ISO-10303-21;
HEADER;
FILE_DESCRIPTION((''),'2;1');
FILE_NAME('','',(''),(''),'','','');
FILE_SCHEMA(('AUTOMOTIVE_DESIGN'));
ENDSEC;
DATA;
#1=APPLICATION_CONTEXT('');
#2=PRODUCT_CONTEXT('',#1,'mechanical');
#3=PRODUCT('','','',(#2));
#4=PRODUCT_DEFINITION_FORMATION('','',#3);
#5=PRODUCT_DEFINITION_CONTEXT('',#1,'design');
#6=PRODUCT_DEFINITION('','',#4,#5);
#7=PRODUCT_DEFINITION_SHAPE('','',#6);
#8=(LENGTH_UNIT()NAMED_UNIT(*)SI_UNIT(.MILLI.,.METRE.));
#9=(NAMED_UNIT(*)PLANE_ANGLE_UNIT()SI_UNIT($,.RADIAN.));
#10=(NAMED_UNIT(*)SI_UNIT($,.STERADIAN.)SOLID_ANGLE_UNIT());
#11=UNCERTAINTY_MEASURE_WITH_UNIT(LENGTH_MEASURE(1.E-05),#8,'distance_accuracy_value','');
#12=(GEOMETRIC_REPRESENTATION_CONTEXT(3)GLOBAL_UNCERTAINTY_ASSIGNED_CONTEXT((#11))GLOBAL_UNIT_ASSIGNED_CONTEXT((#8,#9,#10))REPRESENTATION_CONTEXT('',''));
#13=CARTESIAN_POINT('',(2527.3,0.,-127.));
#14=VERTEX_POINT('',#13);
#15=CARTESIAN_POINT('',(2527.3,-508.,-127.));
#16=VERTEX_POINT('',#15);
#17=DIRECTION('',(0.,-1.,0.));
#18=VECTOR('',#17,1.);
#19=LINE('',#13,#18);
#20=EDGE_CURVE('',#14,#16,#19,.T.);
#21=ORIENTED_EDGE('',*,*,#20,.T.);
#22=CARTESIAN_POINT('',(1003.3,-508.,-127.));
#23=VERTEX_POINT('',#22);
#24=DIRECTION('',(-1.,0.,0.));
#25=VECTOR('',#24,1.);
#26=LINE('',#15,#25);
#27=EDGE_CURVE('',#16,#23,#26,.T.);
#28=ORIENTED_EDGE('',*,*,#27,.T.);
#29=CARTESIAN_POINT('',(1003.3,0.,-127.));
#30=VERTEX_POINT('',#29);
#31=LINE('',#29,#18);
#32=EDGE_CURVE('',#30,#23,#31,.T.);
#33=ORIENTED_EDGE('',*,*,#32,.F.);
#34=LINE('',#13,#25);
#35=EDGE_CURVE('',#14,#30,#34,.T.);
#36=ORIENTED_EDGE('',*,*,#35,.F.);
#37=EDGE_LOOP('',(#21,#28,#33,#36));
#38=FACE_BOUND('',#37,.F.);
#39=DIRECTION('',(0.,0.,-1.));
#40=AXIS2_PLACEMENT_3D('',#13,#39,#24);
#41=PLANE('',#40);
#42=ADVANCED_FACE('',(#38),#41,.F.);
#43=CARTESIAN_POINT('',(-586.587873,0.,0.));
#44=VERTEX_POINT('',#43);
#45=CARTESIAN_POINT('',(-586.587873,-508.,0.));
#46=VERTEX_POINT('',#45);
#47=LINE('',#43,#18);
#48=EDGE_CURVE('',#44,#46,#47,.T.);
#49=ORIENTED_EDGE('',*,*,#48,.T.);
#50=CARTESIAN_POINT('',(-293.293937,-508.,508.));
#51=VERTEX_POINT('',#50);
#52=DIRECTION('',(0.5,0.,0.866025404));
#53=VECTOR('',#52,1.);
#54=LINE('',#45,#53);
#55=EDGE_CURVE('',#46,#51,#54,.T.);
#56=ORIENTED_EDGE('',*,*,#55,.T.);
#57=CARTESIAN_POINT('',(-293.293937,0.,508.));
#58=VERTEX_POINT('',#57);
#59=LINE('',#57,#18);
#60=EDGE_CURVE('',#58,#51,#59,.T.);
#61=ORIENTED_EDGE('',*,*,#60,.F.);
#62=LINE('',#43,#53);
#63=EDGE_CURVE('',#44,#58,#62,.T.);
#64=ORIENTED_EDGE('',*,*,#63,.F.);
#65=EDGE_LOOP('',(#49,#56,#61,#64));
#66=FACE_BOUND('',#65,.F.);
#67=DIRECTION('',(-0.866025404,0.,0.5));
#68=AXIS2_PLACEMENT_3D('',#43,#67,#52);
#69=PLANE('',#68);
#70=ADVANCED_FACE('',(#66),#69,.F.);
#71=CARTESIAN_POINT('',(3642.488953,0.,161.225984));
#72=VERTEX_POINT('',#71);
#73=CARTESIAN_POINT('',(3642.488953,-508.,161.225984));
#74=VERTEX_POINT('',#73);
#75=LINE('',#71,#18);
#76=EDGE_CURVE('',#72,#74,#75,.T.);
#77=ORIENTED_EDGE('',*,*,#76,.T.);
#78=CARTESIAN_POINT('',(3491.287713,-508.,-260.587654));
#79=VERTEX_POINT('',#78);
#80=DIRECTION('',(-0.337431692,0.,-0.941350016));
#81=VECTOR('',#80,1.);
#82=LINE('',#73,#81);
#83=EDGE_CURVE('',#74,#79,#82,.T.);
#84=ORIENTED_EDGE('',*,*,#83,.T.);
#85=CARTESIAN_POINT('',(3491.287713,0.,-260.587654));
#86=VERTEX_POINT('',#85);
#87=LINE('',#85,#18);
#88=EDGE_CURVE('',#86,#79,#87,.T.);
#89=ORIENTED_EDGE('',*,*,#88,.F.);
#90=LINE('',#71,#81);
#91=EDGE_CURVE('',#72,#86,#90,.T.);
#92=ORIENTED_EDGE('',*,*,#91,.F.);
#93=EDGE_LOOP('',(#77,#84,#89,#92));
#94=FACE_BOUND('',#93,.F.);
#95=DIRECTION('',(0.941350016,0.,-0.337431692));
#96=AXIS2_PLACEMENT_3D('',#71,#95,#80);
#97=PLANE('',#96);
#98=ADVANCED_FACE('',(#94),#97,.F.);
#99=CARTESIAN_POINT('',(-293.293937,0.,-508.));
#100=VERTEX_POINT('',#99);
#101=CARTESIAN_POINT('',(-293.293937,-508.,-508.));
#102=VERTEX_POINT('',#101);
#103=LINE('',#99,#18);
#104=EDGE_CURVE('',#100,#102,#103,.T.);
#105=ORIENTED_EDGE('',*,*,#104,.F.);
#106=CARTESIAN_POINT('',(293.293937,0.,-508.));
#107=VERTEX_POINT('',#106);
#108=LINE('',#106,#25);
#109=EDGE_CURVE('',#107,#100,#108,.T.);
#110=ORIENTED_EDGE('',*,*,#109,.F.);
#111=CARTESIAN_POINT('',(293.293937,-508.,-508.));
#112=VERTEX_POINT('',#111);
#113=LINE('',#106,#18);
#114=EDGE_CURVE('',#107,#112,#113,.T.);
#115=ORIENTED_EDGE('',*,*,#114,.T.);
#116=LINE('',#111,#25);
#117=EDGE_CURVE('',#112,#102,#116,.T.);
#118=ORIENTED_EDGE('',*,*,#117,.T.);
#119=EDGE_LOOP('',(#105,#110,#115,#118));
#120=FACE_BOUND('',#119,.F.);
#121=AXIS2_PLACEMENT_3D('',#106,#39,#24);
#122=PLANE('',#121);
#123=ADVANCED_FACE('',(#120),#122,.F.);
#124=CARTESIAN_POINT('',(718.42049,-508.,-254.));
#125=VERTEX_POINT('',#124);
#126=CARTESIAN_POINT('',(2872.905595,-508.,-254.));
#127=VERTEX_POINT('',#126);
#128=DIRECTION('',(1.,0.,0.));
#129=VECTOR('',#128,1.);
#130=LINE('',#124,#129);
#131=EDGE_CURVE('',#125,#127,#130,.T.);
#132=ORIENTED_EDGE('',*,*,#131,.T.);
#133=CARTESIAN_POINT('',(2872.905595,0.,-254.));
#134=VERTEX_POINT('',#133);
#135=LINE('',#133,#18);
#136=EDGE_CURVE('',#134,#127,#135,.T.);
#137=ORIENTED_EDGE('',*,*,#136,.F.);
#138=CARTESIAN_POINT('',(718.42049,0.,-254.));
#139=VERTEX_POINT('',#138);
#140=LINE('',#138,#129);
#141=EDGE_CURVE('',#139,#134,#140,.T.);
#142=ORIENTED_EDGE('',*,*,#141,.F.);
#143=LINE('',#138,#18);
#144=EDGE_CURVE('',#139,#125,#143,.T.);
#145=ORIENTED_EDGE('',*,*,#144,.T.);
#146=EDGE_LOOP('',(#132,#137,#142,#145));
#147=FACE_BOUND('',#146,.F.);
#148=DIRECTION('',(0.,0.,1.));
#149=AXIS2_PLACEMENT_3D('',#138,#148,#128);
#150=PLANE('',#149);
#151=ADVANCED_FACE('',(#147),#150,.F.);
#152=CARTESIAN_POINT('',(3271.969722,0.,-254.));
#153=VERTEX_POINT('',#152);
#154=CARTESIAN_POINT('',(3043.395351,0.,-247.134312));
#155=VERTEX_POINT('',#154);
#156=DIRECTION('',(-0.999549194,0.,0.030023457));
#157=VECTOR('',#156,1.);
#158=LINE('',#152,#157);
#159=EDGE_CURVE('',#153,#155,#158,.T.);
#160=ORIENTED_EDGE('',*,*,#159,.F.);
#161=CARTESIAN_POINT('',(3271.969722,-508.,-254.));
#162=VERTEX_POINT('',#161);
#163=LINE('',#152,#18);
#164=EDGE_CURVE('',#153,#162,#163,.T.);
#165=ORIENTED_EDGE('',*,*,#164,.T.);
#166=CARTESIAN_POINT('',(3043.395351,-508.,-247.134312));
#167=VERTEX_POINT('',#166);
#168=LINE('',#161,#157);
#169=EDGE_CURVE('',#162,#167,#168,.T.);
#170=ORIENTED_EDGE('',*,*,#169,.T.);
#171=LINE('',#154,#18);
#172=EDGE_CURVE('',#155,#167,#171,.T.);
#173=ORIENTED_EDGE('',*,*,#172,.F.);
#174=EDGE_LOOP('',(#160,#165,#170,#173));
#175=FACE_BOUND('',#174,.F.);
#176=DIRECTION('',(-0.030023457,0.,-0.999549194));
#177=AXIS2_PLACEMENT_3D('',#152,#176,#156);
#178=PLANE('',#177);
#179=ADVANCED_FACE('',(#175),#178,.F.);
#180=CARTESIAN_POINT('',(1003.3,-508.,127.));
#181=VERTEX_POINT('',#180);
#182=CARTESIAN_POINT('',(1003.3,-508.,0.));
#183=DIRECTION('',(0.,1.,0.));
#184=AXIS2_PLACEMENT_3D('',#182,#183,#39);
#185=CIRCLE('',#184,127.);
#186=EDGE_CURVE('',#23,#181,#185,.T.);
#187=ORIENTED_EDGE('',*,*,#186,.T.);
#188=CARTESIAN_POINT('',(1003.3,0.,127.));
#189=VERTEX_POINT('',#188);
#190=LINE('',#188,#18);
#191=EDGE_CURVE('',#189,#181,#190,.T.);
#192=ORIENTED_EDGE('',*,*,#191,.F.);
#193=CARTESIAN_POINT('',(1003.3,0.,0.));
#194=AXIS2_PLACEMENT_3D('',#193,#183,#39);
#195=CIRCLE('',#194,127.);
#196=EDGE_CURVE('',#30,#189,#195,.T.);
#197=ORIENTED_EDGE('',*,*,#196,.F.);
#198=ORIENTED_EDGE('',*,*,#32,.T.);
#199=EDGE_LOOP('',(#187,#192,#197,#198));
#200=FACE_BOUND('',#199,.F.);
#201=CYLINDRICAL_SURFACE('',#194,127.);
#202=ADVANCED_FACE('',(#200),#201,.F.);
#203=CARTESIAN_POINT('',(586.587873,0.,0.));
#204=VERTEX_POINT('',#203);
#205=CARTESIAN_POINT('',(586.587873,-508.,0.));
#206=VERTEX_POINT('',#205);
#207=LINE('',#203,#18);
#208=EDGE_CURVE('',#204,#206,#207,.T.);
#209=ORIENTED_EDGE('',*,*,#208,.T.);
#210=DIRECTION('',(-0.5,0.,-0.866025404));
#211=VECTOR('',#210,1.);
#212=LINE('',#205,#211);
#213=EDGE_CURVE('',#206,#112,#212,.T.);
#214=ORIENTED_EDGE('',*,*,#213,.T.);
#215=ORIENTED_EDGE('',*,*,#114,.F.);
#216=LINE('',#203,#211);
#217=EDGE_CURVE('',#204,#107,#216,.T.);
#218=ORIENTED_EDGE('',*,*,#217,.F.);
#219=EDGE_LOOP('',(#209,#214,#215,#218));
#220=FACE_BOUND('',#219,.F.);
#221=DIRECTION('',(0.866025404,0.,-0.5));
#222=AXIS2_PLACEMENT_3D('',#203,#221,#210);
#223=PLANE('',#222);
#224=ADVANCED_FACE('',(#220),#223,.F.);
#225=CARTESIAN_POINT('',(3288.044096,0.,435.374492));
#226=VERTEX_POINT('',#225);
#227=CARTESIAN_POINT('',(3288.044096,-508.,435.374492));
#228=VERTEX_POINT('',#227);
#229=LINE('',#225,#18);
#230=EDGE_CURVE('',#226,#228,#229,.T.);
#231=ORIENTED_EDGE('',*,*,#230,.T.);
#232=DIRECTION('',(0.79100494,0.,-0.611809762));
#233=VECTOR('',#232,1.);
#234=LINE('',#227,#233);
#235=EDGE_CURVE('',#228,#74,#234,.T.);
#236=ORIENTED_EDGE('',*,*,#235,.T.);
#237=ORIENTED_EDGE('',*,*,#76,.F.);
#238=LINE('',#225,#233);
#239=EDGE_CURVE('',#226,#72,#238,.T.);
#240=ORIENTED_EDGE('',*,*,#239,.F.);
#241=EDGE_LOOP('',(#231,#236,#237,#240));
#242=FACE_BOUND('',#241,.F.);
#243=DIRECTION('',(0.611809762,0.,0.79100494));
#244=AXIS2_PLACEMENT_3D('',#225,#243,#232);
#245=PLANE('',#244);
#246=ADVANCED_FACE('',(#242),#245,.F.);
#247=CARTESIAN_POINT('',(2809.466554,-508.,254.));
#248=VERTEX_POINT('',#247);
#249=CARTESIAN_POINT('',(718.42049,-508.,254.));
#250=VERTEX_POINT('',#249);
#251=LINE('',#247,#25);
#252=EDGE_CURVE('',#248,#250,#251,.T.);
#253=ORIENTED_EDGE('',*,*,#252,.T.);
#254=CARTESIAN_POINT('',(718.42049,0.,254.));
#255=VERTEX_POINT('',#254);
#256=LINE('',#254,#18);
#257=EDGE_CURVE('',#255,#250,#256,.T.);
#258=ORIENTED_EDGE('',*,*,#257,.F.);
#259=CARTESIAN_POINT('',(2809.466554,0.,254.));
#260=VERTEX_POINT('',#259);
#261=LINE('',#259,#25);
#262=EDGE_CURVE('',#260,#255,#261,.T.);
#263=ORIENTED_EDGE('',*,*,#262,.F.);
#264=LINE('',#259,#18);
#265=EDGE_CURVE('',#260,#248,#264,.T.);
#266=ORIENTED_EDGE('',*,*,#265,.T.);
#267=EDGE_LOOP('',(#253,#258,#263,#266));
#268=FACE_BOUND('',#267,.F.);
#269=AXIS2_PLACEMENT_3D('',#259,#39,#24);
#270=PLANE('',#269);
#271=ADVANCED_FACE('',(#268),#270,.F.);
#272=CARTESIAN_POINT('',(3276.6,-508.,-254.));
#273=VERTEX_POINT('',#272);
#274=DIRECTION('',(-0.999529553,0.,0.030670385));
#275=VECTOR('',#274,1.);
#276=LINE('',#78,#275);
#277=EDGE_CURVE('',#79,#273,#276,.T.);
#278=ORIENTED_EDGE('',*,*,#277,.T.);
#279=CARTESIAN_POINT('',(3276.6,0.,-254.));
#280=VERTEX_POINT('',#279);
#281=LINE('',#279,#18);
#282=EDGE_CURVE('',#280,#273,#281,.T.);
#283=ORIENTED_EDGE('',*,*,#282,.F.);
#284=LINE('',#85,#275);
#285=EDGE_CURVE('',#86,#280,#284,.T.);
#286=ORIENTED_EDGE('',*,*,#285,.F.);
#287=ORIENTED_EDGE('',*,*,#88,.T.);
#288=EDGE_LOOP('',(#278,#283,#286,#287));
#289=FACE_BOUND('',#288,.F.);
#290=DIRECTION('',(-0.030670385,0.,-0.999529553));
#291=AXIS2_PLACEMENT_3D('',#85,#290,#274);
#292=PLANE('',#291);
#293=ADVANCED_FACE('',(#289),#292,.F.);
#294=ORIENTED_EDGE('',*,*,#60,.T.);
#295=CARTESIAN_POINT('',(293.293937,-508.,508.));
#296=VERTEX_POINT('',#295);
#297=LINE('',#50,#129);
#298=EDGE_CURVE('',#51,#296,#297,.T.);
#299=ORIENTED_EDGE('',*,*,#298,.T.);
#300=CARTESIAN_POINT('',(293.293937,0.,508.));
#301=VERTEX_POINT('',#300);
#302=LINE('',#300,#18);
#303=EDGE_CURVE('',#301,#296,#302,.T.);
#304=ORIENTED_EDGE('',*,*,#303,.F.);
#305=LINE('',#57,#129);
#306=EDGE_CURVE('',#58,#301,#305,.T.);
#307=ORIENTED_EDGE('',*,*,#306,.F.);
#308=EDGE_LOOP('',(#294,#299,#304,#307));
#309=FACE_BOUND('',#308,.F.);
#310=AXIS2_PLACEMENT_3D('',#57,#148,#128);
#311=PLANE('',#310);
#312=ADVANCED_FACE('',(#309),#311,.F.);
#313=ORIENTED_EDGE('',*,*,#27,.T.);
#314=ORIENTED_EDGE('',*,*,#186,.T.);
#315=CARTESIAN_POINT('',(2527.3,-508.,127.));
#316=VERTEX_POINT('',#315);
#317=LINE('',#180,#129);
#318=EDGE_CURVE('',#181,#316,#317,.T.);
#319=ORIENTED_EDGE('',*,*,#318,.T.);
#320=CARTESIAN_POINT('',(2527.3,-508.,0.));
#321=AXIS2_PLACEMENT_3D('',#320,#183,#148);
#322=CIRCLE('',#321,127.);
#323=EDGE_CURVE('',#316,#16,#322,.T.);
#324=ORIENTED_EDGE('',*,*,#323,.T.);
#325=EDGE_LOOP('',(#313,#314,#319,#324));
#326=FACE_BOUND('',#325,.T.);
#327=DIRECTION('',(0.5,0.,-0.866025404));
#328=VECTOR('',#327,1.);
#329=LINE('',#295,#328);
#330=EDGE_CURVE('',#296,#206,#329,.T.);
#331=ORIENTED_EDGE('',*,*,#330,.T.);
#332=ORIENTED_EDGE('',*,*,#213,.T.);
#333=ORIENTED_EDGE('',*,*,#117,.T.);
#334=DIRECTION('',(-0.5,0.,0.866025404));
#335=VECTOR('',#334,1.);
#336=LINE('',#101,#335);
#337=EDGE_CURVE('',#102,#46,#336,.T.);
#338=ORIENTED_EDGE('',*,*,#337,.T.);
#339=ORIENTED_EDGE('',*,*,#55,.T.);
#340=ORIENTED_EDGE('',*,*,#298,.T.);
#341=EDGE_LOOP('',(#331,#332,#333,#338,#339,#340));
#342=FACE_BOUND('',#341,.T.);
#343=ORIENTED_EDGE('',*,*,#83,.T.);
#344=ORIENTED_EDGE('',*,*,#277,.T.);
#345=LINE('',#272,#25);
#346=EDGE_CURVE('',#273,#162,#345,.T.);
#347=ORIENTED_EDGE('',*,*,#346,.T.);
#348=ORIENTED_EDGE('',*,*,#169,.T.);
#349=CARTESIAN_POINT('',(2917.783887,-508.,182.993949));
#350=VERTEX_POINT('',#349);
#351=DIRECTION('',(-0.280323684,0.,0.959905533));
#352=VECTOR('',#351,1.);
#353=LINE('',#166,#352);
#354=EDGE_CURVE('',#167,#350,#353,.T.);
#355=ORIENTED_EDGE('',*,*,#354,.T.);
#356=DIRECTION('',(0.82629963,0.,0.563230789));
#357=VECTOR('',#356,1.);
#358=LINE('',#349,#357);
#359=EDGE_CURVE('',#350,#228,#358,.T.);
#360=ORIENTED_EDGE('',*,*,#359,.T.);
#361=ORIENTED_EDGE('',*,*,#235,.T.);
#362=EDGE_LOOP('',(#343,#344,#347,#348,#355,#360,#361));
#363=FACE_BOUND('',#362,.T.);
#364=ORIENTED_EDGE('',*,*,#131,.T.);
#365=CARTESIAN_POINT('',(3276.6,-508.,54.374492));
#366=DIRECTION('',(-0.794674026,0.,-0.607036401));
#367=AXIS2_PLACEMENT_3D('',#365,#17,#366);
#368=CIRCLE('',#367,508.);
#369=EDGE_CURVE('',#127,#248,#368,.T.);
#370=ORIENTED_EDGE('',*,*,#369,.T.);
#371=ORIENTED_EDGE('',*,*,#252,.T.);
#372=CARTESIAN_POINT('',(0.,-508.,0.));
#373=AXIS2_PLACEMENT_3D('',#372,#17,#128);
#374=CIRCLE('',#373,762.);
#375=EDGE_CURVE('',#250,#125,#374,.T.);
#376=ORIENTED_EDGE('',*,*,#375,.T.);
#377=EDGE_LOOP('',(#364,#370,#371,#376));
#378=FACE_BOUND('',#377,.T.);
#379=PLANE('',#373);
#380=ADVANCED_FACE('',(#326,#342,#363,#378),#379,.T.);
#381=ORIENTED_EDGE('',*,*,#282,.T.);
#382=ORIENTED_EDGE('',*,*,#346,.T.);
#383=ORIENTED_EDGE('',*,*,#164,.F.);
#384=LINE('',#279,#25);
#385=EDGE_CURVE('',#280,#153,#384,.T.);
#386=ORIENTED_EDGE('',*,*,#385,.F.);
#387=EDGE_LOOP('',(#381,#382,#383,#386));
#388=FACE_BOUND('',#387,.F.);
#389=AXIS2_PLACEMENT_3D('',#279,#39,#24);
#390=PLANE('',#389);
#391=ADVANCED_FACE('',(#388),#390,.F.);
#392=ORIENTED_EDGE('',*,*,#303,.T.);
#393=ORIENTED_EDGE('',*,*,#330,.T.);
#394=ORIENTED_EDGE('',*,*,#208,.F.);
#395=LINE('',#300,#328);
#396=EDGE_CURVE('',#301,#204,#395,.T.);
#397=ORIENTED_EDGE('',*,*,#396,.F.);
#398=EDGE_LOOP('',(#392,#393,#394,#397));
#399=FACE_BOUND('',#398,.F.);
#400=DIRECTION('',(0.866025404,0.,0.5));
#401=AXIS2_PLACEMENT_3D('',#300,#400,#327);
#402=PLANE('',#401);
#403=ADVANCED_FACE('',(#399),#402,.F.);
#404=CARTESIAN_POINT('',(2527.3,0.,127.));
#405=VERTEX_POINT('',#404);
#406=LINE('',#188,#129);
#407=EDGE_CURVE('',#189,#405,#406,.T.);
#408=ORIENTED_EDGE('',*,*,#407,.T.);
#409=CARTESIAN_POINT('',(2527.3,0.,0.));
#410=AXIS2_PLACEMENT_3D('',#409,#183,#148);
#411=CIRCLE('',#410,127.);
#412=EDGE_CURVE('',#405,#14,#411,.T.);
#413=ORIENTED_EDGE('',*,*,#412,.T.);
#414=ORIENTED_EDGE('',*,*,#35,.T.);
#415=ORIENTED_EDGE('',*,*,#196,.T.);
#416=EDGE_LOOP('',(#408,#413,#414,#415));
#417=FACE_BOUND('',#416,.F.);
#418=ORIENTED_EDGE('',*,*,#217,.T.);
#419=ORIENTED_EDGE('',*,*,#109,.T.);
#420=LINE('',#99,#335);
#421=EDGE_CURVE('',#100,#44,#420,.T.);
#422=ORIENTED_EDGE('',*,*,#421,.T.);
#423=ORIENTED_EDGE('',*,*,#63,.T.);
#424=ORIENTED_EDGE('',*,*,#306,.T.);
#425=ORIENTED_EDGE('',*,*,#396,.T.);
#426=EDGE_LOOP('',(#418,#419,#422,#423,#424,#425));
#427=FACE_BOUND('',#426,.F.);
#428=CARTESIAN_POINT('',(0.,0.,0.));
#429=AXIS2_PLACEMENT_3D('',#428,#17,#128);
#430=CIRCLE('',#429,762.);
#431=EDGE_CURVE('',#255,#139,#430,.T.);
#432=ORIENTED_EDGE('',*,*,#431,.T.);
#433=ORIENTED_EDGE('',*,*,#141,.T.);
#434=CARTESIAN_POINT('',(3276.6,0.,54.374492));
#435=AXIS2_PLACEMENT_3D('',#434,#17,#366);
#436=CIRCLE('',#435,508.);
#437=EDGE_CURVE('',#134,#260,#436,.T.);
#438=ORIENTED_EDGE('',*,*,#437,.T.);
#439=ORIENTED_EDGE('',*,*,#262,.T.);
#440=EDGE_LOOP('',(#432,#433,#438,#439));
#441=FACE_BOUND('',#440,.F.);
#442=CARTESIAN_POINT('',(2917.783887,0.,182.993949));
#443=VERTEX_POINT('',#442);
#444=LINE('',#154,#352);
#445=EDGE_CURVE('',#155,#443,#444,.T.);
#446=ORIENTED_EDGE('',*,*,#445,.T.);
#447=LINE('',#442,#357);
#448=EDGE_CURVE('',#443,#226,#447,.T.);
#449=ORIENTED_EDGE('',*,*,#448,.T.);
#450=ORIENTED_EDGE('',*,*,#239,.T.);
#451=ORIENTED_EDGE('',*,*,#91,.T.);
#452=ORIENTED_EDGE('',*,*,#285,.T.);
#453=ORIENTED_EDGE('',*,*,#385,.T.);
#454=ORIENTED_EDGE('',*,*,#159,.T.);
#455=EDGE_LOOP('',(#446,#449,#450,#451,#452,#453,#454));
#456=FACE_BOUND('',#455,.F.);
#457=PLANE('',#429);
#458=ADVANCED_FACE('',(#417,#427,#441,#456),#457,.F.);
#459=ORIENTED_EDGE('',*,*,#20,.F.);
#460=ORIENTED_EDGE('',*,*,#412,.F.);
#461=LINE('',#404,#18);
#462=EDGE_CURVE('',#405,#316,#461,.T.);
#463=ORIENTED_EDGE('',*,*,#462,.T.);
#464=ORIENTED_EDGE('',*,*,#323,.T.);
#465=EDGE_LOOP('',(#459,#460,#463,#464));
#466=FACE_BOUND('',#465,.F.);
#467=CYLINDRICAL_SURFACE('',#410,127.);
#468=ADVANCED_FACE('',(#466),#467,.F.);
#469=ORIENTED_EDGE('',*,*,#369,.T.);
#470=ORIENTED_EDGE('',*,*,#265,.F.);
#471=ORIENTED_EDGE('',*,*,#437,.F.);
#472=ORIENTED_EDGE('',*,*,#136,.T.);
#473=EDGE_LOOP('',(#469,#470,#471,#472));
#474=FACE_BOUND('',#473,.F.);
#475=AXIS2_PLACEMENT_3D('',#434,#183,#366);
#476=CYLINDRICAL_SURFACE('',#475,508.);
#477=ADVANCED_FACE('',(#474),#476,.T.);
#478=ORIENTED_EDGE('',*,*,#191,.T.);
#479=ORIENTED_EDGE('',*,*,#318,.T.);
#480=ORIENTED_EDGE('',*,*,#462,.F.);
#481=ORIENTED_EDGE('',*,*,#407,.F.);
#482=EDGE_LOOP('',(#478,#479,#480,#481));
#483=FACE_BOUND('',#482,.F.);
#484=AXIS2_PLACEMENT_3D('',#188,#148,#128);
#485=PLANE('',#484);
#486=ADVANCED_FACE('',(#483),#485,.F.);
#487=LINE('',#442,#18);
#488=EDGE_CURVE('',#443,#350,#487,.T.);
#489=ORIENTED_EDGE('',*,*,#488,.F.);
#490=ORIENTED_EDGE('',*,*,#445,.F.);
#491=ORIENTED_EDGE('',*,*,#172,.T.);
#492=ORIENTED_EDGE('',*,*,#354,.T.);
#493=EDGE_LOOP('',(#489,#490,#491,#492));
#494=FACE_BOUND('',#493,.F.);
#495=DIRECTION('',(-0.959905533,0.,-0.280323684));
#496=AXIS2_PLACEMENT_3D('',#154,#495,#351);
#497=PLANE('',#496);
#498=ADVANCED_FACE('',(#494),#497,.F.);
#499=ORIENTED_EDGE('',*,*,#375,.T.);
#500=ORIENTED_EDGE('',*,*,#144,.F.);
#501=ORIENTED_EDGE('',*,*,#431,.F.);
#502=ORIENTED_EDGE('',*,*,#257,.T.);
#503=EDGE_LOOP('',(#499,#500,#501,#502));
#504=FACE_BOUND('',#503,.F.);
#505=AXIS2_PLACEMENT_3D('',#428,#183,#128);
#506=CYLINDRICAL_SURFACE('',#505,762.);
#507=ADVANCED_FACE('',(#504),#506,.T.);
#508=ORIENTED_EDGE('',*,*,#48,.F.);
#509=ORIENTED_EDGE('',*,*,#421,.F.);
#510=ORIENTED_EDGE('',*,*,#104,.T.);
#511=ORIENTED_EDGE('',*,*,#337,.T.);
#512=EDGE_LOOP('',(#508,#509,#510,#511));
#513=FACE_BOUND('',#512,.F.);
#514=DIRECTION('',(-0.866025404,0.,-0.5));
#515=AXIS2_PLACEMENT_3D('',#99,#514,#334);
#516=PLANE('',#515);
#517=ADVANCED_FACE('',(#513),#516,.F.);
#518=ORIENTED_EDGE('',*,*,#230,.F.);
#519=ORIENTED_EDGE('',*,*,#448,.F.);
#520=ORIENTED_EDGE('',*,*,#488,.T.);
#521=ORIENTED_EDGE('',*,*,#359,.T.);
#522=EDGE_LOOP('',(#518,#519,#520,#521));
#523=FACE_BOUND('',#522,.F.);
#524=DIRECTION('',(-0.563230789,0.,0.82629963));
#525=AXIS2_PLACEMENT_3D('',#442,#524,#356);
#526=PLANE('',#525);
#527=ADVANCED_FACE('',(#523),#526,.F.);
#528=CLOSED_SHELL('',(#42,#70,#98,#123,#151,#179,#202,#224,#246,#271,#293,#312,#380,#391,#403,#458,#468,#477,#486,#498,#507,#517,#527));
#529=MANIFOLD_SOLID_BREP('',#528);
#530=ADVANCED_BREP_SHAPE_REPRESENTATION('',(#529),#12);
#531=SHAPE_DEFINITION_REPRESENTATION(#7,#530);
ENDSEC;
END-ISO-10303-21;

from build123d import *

# Parameters (mm, degrees)
F1_DEPTH = 508


with BuildPart() as f1:
    # F0 (on Front) → F1 (new body)
    with BuildSketch(Plane.XZ):
        with BuildLine():
            ThreePointArc((718.4204896855, -254), (751.026102456, -128.855707789), (762, 0))
            ThreePointArc((762, 0), (751.026102456, 128.855707789), (718.4204896855, 254))
            ThreePointArc((718.4204896855, 254), (-762, 0), (718.4204896855, -254))
        make_face()
        Polygon((-586.5878734967, 0), (-293.2939367483, 508), (293.2939367483, 508), (586.5878734967, 0), (293.2939367483, -508), (-293.2939367483, -508), align=None, mode=Mode.SUBTRACT)
        with BuildLine():
            ThreePointArc((718.4204896855, 254), (751.026102456, 128.855707789), (762, 0))
            ThreePointArc((762, 0), (751.026102456, -128.855707789), (718.4204896855, -254))
            Line((718.4204896855, -254), (2872.9055947803, -254))
            ThreePointArc((2872.9055947803, -254), (2772.5153973152, -8.5755942668), (2809.4665538877, 254))
            Line((2809.4665538877, 254), (718.4204896855, 254))
        make_face()
        with BuildLine():
            ThreePointArc((2527.3, 127), (2654.3, 0), (2527.3, -127))
            Line((2527.3, -127), (1003.3, -127))
            ThreePointArc((1003.3, -127), (876.3, 0), (1003.3, 127))
            Line((1003.3, 127), (2527.3, 127))
        make_face(mode=Mode.SUBTRACT)
        with BuildLine():
            ThreePointArc((3784.6, 54.3744918022), (3378.4827987811, 552.0529977803), (2809.4665538877, 254))
            ThreePointArc((2809.4665538877, 254), (2772.5153973152, -8.5755942668), (2872.9055947803, -254))
            ThreePointArc((2872.9055947803, -254), (3439.3686120669, -426.8431085885), (3784.6, 54.3744918022))
        make_face()
        Polygon((3276.6, -254), (3271.9697222052, -254), (3043.395350642, -247.1343121381), (2953.9718593657, 59.0763618114), (2917.7838874734, 182.9939488332), (3288.0440961054, 435.3744918022), (3642.4889528903, 161.2259844849), (3491.2877128889, -260.5876539712), align=None, mode=Mode.SUBTRACT)
    extrude(amount=F1_DEPTH)


solid = f1.part
